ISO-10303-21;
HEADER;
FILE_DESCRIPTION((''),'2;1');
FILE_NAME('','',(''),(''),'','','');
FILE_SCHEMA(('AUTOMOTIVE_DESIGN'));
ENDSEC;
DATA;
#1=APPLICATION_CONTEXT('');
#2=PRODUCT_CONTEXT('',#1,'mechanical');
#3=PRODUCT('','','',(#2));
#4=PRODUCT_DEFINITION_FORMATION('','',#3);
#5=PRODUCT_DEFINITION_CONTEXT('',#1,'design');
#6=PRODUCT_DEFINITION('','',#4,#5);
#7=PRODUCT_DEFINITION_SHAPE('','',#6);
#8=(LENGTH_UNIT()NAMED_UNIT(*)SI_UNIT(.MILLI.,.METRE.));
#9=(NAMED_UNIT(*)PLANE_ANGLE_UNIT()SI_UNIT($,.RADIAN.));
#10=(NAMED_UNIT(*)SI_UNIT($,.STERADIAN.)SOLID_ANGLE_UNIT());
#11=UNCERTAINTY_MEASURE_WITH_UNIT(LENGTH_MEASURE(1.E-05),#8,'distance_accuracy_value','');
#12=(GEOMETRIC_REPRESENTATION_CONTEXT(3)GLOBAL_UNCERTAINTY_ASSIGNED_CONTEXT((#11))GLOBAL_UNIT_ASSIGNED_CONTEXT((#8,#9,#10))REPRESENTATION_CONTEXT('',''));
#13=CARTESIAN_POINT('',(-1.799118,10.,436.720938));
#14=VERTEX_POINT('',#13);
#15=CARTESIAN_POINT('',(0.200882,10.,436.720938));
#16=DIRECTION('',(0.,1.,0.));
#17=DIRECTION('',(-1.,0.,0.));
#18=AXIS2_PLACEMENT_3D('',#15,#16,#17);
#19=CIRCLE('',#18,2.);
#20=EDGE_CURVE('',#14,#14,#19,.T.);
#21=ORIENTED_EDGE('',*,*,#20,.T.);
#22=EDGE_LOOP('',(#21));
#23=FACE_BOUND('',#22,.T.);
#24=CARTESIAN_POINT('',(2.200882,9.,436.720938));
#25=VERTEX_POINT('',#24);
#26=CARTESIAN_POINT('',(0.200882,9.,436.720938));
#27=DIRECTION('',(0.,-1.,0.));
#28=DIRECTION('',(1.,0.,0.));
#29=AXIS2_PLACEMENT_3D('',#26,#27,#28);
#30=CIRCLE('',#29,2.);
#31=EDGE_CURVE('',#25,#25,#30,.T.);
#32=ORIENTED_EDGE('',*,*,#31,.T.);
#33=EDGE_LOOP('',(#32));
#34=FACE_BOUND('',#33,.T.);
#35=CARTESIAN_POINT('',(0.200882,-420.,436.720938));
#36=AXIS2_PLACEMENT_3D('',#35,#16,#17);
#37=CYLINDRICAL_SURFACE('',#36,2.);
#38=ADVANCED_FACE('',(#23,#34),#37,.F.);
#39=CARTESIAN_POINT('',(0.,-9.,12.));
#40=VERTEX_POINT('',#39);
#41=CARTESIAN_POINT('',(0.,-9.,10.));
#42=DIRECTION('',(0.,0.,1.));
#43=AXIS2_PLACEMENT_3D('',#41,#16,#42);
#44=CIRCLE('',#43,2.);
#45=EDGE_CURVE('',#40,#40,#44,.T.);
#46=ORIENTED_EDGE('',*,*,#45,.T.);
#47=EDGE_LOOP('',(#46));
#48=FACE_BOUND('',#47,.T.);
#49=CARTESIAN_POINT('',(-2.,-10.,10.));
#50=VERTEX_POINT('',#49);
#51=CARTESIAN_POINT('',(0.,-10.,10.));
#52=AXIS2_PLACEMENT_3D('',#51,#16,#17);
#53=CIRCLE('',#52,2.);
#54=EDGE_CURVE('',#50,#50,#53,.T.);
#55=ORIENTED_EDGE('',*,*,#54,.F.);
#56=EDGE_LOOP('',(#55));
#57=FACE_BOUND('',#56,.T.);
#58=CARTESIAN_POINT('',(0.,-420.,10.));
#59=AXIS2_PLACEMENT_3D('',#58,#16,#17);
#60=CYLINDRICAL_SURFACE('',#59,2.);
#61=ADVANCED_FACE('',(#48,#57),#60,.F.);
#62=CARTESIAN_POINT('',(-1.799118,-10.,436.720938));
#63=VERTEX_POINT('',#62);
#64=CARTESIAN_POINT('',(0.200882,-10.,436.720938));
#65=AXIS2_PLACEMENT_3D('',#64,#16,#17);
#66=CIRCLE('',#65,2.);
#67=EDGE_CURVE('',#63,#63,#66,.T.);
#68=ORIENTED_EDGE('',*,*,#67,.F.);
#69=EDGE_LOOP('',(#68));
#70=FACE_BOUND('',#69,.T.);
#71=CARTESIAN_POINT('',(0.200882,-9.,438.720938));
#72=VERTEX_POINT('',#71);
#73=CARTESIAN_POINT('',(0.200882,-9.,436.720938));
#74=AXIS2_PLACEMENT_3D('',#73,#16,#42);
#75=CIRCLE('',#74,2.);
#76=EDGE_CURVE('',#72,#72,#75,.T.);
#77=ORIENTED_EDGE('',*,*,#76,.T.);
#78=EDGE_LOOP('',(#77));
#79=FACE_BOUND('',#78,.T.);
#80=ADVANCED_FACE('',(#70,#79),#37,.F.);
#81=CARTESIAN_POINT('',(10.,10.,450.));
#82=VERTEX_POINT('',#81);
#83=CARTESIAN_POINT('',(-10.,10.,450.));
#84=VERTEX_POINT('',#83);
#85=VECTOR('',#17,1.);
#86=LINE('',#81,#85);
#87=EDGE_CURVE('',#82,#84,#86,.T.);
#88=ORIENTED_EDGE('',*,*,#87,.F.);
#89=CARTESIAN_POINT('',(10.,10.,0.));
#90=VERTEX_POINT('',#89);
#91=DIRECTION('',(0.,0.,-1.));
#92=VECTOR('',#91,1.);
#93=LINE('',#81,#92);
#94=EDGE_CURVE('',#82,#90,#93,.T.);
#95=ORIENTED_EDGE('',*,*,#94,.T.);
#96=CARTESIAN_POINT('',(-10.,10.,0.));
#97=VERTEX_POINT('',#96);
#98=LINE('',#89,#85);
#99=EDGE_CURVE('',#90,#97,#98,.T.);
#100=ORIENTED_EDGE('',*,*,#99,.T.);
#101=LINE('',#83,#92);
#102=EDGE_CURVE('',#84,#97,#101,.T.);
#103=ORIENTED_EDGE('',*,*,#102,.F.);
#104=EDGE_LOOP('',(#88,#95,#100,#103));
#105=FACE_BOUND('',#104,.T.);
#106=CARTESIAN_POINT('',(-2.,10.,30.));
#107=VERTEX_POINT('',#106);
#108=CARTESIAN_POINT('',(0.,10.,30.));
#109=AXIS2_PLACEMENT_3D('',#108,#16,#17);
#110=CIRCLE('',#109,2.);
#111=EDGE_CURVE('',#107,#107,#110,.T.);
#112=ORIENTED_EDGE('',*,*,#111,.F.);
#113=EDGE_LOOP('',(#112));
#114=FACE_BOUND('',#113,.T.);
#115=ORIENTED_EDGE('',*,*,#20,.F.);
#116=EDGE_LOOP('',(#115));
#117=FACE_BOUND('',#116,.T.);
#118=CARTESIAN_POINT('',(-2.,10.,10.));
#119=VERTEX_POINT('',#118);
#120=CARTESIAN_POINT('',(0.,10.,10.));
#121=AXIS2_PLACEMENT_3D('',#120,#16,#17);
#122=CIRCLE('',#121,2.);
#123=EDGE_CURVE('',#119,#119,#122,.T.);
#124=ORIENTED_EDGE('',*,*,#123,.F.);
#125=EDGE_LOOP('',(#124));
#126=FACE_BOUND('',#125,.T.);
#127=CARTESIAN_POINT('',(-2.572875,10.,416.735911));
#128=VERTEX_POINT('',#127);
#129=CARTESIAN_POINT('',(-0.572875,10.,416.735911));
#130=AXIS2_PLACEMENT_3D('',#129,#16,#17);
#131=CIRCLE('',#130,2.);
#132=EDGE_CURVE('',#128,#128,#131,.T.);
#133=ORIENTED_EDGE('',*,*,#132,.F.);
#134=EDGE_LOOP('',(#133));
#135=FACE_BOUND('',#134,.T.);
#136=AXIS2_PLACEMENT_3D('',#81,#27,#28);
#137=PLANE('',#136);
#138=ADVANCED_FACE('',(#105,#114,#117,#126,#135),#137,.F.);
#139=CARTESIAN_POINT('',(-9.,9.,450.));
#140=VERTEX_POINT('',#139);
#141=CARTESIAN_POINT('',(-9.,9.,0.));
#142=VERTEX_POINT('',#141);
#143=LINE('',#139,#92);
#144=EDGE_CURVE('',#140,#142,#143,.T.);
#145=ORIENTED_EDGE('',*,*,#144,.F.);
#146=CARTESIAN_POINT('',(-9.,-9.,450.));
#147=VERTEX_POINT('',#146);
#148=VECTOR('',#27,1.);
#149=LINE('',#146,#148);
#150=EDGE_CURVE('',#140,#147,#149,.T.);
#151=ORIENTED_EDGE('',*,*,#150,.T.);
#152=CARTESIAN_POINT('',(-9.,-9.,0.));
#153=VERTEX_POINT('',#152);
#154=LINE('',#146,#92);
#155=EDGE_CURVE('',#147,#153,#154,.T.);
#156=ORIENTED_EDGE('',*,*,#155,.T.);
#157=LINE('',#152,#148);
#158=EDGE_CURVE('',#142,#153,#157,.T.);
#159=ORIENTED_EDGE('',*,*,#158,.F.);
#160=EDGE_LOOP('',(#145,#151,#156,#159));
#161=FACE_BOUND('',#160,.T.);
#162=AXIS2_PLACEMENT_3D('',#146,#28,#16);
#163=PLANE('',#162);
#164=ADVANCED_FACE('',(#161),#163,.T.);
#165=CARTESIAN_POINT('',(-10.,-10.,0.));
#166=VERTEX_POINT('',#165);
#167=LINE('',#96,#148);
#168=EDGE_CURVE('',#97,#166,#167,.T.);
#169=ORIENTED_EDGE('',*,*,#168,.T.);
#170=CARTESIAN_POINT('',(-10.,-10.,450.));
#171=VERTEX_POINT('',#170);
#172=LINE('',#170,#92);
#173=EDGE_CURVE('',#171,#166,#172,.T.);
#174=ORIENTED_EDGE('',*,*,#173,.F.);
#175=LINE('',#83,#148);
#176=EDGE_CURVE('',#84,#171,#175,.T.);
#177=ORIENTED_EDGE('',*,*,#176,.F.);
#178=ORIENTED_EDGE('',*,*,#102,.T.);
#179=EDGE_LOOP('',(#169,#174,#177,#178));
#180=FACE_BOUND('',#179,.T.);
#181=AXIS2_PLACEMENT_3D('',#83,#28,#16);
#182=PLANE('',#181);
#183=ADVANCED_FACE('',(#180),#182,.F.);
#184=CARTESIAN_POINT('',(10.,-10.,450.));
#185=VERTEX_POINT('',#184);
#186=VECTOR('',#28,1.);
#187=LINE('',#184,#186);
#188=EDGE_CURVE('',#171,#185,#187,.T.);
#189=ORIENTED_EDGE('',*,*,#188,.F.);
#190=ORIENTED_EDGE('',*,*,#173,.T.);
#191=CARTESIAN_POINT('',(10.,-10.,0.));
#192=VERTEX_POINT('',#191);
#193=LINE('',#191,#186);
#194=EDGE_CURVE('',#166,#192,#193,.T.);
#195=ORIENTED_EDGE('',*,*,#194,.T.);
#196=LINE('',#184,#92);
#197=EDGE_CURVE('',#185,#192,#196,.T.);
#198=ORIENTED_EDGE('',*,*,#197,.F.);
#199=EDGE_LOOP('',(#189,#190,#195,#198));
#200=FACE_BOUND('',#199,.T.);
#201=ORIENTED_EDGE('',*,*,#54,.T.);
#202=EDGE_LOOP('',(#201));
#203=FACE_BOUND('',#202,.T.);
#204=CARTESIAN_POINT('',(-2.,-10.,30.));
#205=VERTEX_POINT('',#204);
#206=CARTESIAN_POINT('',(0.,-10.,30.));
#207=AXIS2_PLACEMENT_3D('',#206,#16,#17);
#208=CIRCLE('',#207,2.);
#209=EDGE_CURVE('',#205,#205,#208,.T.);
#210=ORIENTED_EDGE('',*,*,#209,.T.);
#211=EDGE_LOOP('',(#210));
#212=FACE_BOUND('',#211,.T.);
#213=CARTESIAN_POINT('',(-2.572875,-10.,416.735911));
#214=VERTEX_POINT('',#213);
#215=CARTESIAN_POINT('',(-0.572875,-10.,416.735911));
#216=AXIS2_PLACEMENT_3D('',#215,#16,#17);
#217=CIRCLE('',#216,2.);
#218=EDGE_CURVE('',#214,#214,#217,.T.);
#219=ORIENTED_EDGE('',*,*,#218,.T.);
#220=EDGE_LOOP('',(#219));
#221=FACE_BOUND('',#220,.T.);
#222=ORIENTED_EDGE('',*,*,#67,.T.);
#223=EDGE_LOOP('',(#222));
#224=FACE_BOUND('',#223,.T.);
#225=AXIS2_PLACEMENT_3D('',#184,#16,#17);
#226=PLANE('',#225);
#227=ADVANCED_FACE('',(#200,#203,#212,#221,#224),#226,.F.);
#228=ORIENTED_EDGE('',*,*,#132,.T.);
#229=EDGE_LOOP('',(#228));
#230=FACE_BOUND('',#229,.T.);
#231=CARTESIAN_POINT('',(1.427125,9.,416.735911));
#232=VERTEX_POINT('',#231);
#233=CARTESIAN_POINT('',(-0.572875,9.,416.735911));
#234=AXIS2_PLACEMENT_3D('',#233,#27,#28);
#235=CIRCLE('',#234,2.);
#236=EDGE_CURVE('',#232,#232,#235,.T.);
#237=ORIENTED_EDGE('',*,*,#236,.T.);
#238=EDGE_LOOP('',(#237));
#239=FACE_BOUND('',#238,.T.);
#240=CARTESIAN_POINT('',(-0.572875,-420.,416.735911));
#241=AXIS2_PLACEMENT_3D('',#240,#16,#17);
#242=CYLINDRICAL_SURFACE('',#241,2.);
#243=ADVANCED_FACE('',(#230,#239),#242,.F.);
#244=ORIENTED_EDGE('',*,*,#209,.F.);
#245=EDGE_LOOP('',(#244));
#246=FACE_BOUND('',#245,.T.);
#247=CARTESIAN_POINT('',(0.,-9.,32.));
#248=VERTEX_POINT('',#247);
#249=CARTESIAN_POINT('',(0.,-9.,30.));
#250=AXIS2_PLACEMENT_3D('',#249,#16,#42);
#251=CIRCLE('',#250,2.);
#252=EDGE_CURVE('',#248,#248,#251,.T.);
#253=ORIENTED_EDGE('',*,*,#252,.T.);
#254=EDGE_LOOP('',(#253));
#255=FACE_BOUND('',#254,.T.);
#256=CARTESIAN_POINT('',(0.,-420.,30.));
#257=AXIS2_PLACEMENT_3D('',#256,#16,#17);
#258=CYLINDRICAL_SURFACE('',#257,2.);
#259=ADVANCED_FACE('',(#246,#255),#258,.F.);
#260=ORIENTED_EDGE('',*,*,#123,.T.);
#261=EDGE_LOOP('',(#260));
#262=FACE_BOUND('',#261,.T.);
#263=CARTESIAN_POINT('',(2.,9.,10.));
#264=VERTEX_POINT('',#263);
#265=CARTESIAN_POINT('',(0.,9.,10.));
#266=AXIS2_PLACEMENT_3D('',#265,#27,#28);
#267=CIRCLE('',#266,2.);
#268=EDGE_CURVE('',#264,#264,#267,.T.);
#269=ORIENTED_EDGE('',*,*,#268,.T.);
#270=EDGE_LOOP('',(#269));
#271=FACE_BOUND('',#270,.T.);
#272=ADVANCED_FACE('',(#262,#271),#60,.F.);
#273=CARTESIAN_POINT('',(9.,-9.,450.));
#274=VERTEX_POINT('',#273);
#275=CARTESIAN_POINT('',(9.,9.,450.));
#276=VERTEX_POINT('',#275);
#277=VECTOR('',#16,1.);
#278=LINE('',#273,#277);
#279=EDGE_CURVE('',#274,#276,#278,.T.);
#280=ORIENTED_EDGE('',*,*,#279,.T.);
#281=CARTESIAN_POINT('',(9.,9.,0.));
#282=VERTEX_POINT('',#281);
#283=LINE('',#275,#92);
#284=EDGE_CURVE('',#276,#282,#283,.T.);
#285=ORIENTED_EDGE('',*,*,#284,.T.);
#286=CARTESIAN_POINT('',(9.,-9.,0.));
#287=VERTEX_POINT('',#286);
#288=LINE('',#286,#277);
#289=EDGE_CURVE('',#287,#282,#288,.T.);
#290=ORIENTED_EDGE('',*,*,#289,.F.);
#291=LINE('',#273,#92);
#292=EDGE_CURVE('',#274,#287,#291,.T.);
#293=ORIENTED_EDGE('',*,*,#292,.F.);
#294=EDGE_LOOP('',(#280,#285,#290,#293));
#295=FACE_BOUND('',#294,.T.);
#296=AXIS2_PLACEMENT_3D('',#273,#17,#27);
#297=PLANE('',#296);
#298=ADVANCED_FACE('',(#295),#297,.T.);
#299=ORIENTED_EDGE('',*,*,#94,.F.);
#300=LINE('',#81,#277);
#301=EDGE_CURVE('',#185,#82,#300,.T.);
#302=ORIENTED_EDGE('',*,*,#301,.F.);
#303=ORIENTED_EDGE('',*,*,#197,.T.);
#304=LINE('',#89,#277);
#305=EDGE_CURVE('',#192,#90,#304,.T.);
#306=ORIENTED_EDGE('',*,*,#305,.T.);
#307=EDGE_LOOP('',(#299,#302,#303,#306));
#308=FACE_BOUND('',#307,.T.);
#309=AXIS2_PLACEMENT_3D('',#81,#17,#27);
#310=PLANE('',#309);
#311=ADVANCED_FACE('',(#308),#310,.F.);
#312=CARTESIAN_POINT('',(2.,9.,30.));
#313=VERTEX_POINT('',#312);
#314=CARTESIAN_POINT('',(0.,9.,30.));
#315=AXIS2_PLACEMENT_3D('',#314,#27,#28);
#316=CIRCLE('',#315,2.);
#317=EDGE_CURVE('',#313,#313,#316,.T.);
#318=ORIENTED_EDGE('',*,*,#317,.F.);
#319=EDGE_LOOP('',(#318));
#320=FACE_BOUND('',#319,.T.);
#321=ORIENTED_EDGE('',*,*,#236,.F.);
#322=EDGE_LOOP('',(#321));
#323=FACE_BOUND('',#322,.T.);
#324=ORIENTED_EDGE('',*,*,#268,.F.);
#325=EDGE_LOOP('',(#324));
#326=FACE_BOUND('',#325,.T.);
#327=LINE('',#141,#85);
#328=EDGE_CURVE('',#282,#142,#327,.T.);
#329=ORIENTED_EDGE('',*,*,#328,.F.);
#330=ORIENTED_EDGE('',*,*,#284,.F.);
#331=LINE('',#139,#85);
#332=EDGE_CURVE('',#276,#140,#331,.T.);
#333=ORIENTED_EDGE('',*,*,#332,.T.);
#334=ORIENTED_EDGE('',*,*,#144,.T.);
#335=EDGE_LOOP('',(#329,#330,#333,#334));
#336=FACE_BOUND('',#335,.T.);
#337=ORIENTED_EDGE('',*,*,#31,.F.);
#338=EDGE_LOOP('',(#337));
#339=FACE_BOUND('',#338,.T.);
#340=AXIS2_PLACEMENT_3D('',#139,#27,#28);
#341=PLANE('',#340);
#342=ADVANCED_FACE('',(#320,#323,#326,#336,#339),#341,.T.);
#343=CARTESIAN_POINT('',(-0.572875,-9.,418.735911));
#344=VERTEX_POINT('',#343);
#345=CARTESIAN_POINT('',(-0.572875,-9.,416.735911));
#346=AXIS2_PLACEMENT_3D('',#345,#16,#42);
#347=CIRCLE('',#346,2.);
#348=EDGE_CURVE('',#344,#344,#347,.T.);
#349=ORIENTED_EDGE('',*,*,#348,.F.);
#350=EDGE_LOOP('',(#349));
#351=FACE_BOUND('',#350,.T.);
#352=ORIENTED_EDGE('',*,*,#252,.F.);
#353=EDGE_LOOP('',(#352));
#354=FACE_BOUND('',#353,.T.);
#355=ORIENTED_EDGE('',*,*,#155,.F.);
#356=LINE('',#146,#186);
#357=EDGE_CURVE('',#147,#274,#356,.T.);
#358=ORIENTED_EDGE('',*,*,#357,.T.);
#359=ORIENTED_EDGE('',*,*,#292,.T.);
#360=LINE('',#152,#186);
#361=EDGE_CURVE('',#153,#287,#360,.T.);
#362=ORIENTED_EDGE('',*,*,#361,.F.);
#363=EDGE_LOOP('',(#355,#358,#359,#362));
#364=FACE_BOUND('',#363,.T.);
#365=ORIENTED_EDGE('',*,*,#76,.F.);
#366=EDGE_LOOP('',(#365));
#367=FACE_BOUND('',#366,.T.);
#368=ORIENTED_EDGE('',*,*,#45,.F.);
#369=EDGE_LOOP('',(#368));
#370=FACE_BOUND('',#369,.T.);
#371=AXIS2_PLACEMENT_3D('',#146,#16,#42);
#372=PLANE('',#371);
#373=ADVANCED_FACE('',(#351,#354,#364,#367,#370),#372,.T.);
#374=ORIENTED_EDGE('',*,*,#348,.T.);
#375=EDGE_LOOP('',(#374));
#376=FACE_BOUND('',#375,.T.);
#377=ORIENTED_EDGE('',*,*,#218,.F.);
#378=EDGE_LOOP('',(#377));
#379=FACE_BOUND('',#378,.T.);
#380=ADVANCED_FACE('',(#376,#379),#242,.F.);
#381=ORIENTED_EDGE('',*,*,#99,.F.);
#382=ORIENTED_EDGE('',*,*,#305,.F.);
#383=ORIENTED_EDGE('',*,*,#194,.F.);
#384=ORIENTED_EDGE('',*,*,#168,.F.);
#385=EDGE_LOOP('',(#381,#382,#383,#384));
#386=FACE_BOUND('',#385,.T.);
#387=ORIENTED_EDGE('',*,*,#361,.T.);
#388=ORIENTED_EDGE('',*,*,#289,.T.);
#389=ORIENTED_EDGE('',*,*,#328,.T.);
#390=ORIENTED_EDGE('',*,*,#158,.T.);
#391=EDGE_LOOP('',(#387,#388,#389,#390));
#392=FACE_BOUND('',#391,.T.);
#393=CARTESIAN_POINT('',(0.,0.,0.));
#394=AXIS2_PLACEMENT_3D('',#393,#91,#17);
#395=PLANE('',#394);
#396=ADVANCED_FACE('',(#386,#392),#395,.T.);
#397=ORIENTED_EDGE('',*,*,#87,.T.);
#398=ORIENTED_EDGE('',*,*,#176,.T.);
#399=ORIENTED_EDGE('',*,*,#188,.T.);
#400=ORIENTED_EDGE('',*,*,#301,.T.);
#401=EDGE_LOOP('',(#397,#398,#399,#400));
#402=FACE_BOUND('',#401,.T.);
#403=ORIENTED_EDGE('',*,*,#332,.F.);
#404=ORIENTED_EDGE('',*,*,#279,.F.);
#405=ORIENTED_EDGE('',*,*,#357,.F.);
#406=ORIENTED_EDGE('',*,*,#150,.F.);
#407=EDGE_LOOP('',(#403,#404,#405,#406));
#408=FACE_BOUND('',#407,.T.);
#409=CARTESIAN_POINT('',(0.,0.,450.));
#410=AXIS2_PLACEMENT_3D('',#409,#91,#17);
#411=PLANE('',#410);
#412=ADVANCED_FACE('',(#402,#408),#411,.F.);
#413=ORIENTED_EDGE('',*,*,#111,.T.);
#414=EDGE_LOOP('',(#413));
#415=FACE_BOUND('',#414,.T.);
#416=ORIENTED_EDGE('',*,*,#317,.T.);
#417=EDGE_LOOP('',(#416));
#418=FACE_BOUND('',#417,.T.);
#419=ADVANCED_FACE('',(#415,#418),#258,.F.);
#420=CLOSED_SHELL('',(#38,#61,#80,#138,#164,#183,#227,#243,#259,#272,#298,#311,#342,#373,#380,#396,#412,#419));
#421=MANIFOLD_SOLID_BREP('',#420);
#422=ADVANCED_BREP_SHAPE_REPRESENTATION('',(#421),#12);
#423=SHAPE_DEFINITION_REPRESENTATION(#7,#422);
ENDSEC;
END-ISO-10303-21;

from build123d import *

# Parameters (mm, degrees)
SKETCH_1_W          = 20
SKETCH_1_H          = 20
SKETCH_1_W_2        = 18
SKETCH_1_H_2        = 18
EXTRUDE_1_DEPTH     = 450
SKETCH_2_R          = 2
CUT_EXTRUDE_1_DEPTH = 430
SKETCH_3_R          = 2
CUT_EXTRUDE_2_DEPTH = 430


with BuildPart() as part:
    # 草图1 → 凸台-拉伸1 (new body)
    with BuildSketch(Plane.XY):
        Rectangle(SKETCH_1_W, SKETCH_1_H)
        Rectangle(SKETCH_1_W_2, SKETCH_1_H_2, mode=Mode.SUBTRACT)
    extrude(amount=EXTRUDE_1_DEPTH)

    # 草图2 → 切除-拉伸1 (cut)
    with BuildSketch(Plane(origin=(0, 10, 0), x_dir=(1, 0, 0), z_dir=(0, 1, 0))):
        with Locations(Location((0, -10, 0), (0, 0, 180))):
            Circle(SKETCH_2_R)
        with Locations(Location((0, -30, 0), (0, 0, 180))):
            Circle(SKETCH_2_R)
    extrude(amount=-CUT_EXTRUDE_1_DEPTH, mode=Mode.SUBTRACT)

    # 草图3 → 切除-拉伸2 (cut)
    with BuildSketch(Plane(origin=(0, 10, 0), x_dir=(1, 0, 0), z_dir=(0, 1, 0))):
        with Locations(Location((0.20088202, -436.720938128, 0), (0, 0, 180))):
            Circle(SKETCH_3_R)
        with Locations(Location((-0.572874553, -416.735911214, 0), (0, 0, 180))):
            Circle(SKETCH_3_R)
    extrude(amount=-CUT_EXTRUDE_2_DEPTH, mode=Mode.SUBTRACT)


solid = part.part
